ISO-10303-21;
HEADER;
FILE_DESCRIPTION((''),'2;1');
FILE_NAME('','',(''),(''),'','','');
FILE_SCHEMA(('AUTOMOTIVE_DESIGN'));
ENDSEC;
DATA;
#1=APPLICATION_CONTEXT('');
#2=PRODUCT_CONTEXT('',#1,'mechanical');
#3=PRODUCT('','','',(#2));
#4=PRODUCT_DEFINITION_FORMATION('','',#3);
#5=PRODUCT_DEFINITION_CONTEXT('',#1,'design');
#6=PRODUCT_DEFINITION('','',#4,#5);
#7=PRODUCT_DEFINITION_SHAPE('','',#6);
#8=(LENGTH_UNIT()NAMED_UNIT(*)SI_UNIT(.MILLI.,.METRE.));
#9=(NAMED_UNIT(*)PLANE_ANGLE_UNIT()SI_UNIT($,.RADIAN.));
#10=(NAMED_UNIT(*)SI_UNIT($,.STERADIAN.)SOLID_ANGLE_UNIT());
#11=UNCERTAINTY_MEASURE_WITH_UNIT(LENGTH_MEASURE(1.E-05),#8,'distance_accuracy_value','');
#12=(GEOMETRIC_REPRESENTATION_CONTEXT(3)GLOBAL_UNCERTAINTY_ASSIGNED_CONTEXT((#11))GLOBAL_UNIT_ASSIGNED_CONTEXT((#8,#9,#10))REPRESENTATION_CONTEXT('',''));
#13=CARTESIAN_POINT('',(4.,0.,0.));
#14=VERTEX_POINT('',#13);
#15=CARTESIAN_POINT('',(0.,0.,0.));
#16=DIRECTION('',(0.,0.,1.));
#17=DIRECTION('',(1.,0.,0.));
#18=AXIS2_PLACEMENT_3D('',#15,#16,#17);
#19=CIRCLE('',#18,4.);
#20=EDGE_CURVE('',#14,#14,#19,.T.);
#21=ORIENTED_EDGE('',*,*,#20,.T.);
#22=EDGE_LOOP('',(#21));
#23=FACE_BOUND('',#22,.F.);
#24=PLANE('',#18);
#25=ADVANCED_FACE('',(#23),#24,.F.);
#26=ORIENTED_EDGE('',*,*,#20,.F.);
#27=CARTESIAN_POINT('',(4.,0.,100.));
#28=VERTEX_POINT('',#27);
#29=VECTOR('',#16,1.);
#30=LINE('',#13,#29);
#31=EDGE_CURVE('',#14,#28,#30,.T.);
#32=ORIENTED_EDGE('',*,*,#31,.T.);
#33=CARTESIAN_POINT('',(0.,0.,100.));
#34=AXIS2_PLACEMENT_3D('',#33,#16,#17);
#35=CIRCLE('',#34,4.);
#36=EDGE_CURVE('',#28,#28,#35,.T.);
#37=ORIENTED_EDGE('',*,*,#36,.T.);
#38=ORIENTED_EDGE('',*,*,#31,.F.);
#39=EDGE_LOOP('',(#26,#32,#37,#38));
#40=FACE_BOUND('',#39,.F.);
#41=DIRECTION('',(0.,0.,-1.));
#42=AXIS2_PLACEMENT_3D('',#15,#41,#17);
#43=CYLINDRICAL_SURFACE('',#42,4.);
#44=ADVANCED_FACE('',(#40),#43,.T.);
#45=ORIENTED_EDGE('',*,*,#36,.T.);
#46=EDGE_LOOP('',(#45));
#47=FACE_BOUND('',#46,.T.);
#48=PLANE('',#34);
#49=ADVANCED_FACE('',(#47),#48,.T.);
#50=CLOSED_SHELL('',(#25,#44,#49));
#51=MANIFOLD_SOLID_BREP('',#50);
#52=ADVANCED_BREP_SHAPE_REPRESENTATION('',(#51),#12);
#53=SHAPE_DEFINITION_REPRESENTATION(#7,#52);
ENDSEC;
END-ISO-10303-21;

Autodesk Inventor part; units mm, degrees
ref_plane "YZ Plane" through (0, 0, 0) normal (1, 0, 0) x (0, 1, 0)
ref_plane "XZ Plane" through (0, 0, 0) normal (0, 1, 0) x (-1, 0, 0)
ref_plane "XY Plane" through (0, 0, 0) normal (0, 0, 1) x (1, 0, 0)
sketch "Sketch1" plane through (0, 0, 0) normal (0, 0, 1) x (1, 0, 0)
  circle A0 centre (0, 0) radius 4
  dimension "d0" = 8
extrude "Extrusion1" add sketch "Sketch1" along normal blind 100
properties part number "guide rod"
